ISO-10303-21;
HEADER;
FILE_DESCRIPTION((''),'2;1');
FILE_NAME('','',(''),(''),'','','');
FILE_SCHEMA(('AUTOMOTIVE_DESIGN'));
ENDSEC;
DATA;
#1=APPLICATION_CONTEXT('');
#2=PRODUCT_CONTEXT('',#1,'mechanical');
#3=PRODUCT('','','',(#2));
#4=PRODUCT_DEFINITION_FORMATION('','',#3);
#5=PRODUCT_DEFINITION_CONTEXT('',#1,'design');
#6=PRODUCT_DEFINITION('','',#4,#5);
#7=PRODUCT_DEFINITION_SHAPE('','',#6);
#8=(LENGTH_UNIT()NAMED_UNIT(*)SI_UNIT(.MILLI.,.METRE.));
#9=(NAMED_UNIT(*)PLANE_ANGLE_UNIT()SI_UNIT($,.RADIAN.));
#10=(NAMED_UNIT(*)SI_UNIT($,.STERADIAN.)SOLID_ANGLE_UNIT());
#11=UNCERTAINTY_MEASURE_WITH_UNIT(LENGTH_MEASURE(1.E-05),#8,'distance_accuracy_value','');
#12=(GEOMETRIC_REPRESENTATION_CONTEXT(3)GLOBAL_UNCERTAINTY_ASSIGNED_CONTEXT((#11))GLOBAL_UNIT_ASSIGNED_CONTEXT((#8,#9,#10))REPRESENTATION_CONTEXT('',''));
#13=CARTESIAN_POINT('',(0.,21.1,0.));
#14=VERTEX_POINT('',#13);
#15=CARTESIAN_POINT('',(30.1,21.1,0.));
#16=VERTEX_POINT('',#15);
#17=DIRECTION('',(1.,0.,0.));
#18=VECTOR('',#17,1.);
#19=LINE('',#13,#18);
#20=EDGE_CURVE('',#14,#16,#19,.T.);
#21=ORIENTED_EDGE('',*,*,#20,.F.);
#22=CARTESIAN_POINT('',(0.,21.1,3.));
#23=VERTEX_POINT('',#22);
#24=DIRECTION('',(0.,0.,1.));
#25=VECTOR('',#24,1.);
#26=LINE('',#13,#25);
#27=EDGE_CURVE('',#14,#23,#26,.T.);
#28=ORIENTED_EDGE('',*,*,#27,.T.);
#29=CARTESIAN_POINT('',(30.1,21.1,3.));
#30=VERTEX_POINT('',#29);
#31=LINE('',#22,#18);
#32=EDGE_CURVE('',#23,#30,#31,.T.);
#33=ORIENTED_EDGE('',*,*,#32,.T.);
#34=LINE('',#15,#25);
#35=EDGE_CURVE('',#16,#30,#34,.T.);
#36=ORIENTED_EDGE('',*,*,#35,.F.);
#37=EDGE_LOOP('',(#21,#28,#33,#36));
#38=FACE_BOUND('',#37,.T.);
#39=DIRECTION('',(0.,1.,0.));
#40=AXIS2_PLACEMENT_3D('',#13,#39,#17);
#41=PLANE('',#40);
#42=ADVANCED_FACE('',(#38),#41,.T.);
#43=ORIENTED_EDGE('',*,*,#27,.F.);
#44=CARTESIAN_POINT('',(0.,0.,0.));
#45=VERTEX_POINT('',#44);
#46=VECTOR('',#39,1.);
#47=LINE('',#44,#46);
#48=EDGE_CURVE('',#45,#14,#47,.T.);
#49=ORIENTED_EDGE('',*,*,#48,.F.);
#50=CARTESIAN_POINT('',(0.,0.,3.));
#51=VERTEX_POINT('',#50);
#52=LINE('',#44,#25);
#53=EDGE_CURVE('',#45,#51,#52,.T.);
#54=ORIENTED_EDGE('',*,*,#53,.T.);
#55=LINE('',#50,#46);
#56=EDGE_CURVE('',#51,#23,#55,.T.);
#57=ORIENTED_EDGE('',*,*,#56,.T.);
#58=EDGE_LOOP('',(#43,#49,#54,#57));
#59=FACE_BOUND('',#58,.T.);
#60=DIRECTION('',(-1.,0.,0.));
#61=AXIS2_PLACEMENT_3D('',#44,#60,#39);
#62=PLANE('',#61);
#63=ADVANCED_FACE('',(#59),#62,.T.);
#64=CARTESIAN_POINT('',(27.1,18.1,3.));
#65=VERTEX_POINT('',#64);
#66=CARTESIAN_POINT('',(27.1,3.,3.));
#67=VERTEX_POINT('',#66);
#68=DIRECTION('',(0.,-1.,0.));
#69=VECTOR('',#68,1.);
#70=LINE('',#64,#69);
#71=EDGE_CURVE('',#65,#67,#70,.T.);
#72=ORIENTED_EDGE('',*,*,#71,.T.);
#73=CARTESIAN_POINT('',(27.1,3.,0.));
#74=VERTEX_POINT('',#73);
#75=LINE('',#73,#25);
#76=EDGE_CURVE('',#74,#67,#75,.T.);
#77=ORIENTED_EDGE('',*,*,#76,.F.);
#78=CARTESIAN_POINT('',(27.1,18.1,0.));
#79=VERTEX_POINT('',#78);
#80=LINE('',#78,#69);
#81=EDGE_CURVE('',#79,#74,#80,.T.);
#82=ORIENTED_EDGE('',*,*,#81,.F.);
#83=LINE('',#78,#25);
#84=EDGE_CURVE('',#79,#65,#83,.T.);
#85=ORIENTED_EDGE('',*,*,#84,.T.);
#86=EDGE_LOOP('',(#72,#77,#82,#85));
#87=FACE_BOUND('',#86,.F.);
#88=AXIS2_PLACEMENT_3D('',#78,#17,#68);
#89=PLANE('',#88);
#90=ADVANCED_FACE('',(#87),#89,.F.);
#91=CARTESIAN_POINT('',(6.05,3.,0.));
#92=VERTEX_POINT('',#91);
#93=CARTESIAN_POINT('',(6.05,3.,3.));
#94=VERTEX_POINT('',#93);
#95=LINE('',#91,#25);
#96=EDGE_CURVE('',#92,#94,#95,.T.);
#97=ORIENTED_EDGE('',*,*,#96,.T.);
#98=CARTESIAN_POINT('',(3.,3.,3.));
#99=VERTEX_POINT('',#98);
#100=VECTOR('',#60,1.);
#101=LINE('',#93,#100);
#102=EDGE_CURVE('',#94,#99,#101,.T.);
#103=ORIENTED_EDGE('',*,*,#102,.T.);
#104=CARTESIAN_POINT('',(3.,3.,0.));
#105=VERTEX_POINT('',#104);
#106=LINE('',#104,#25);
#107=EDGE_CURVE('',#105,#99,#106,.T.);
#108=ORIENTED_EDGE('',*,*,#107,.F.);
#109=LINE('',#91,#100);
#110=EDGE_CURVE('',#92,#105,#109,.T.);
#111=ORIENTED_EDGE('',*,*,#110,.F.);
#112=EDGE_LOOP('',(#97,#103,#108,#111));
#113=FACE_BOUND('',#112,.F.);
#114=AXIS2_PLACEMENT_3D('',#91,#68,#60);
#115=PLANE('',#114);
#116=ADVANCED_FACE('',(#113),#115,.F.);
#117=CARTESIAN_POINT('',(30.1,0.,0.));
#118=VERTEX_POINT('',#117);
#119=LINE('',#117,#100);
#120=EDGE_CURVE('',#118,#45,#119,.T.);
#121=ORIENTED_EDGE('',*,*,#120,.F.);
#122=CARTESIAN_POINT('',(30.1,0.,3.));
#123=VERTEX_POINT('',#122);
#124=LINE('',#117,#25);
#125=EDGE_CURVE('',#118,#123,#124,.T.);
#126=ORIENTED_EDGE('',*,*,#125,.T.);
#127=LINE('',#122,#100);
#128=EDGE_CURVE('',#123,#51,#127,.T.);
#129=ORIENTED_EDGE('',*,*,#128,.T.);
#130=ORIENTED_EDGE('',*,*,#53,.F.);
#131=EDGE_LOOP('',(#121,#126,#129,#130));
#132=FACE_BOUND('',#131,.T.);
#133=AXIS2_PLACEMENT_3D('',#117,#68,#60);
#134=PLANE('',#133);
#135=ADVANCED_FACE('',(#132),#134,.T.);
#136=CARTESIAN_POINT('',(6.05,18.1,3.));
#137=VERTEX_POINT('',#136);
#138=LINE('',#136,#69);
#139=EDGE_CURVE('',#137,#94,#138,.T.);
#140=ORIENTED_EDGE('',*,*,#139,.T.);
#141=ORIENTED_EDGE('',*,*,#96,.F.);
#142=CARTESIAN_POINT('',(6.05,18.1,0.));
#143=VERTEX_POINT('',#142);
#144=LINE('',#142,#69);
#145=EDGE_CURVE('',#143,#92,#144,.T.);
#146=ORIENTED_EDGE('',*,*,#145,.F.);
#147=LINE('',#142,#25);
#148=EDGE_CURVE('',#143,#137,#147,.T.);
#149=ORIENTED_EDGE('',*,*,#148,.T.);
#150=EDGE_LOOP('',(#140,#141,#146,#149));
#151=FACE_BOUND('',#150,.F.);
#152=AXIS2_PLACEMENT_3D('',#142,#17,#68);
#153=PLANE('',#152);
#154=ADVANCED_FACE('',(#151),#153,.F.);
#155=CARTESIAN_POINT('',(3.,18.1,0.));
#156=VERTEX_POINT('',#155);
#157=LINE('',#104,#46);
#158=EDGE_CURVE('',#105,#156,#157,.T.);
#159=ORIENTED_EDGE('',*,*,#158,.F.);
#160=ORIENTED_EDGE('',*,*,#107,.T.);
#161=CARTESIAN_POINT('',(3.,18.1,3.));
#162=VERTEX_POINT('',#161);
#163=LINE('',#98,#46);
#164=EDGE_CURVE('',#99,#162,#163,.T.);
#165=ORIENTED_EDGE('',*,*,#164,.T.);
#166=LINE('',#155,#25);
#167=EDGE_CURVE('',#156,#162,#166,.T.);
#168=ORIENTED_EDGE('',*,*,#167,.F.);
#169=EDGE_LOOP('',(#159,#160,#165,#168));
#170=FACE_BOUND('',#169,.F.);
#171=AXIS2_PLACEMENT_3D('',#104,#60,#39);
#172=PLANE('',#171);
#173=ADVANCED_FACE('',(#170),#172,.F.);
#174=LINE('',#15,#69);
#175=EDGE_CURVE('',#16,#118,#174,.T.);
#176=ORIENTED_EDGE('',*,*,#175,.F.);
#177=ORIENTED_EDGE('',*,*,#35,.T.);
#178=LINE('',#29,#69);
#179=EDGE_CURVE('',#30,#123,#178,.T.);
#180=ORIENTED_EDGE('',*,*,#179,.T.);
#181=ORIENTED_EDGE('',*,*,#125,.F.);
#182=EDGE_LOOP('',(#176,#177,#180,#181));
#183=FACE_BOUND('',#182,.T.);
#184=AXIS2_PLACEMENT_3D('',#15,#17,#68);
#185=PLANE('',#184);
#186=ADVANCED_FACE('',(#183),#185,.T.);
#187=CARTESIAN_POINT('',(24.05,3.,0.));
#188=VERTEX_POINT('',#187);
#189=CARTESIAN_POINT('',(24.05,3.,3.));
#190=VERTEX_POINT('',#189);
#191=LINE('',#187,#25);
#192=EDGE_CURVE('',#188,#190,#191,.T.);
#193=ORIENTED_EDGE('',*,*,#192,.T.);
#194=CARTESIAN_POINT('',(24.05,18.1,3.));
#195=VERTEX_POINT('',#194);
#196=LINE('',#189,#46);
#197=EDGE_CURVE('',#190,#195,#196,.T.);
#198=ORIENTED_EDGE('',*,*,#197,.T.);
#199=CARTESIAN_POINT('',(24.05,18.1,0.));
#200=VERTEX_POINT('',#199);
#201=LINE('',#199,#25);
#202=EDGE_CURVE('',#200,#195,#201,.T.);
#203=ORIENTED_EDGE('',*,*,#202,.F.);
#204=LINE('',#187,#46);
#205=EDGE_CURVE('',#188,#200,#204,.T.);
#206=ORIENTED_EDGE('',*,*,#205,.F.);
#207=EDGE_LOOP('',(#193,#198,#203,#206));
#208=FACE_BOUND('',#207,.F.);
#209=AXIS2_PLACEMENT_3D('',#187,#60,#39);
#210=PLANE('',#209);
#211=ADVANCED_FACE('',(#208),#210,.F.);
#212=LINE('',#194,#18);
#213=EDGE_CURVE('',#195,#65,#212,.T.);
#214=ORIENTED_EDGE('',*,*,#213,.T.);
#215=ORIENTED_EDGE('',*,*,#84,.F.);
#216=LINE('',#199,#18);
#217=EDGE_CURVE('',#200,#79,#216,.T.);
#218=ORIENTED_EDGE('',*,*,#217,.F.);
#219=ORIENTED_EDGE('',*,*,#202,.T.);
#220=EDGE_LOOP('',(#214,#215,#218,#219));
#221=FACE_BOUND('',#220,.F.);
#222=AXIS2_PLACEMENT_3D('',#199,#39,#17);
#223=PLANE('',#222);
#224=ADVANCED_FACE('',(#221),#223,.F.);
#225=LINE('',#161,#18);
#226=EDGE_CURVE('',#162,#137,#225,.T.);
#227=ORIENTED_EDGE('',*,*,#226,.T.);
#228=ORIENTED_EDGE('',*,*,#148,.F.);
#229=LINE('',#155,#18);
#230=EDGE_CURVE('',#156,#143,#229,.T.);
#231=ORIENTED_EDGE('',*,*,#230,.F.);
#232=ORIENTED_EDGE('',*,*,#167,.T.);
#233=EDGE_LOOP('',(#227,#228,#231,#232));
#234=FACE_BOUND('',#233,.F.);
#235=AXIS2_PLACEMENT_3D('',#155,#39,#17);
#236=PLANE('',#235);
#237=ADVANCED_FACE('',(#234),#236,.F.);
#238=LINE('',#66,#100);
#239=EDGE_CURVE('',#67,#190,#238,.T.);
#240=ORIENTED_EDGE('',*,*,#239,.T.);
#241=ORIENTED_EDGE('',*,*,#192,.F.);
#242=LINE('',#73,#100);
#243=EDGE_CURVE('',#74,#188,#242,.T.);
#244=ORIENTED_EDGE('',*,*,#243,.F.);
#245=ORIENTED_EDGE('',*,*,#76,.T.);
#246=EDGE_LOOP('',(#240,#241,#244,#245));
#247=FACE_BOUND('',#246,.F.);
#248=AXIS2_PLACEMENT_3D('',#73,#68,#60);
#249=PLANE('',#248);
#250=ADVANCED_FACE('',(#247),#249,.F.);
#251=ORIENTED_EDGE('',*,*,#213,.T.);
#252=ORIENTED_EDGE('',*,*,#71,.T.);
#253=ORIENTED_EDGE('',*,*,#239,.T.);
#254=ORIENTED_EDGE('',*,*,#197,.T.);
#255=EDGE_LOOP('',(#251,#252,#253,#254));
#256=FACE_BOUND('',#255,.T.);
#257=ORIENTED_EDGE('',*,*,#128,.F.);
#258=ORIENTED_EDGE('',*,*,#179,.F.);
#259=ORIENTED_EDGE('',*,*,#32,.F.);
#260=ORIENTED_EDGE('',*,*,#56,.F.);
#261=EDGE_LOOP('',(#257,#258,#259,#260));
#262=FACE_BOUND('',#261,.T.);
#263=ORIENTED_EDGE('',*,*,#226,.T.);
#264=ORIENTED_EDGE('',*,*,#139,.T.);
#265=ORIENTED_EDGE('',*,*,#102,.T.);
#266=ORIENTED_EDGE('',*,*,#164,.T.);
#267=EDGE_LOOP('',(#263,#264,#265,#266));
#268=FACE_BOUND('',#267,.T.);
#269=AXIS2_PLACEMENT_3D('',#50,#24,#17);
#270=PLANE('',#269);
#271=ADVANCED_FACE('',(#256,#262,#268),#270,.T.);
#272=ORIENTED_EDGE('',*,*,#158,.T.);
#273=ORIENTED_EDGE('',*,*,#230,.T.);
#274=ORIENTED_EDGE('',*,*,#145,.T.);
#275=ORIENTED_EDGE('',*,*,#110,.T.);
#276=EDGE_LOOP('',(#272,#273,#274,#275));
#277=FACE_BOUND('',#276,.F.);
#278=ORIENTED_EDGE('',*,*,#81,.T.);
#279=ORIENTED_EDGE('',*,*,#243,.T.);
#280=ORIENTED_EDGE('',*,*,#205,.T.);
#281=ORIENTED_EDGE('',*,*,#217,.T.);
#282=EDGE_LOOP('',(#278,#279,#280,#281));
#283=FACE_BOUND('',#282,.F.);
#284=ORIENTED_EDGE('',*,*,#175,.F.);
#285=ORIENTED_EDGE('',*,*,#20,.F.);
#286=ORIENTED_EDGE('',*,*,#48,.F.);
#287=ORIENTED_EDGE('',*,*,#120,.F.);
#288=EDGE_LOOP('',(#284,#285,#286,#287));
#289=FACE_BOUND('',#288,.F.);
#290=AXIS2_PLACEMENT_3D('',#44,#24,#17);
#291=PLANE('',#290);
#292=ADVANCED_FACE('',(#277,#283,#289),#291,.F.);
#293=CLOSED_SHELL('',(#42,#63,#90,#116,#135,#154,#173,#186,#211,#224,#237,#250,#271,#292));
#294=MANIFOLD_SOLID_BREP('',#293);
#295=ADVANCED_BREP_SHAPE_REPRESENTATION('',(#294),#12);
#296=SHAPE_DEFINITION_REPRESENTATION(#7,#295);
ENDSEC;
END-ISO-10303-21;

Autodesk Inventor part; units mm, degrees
ref_plane "YZ Plane" through (0, 0, 0) normal (1, 0, 0) x (0, 1, 0)
ref_plane "XZ Plane" through (0, 0, 0) normal (0, 1, 0) x (-1, 0, 0)
ref_plane "XY Plane" through (0, 0, 0) normal (0, 0, 1) x (1, 0, 0)
sketch "Sketch1" plane through (0, 0, 0) normal (0, 0, 1) x (1, 0, 0)
  line L0 (0, 21.1) -> (30.1, 21.1)
  line L1 (30.1, 21.1) -> (30.1, 0)
  line L2 (30.1, 0) -> (0, 0)
  line L3 (0, 0) -> (0, 21.1)
  line L4 (3, 18.1) -> (6.05, 18.1)
  line L5 (6.05, 18.1) -> (6.05, 3)
  line L6 (6.05, 3) -> (3, 3)
  line L7 (3, 3) -> (3, 18.1)
  line L8 (24.05, 18.1) -> (27.1, 18.1)
  line L9 (27.1, 18.1) -> (27.1, 3)
  line L10 (27.1, 3) -> (24.05, 3)
  line L11 (24.05, 3) -> (24.05, 18.1)
  dimension "d2" = 3.05
  dimension "d3" = 3.05
  dimension "d4" = 15.1
  dimension "d5" = 18
  dimension "d7" = 3
  dimension "d8" = 3
  dimension "d9" = 3
  dimension "d10" = 3
extrude "Extrusion1" add sketch "Sketch1" along normal blind 3
properties part number "holder"
